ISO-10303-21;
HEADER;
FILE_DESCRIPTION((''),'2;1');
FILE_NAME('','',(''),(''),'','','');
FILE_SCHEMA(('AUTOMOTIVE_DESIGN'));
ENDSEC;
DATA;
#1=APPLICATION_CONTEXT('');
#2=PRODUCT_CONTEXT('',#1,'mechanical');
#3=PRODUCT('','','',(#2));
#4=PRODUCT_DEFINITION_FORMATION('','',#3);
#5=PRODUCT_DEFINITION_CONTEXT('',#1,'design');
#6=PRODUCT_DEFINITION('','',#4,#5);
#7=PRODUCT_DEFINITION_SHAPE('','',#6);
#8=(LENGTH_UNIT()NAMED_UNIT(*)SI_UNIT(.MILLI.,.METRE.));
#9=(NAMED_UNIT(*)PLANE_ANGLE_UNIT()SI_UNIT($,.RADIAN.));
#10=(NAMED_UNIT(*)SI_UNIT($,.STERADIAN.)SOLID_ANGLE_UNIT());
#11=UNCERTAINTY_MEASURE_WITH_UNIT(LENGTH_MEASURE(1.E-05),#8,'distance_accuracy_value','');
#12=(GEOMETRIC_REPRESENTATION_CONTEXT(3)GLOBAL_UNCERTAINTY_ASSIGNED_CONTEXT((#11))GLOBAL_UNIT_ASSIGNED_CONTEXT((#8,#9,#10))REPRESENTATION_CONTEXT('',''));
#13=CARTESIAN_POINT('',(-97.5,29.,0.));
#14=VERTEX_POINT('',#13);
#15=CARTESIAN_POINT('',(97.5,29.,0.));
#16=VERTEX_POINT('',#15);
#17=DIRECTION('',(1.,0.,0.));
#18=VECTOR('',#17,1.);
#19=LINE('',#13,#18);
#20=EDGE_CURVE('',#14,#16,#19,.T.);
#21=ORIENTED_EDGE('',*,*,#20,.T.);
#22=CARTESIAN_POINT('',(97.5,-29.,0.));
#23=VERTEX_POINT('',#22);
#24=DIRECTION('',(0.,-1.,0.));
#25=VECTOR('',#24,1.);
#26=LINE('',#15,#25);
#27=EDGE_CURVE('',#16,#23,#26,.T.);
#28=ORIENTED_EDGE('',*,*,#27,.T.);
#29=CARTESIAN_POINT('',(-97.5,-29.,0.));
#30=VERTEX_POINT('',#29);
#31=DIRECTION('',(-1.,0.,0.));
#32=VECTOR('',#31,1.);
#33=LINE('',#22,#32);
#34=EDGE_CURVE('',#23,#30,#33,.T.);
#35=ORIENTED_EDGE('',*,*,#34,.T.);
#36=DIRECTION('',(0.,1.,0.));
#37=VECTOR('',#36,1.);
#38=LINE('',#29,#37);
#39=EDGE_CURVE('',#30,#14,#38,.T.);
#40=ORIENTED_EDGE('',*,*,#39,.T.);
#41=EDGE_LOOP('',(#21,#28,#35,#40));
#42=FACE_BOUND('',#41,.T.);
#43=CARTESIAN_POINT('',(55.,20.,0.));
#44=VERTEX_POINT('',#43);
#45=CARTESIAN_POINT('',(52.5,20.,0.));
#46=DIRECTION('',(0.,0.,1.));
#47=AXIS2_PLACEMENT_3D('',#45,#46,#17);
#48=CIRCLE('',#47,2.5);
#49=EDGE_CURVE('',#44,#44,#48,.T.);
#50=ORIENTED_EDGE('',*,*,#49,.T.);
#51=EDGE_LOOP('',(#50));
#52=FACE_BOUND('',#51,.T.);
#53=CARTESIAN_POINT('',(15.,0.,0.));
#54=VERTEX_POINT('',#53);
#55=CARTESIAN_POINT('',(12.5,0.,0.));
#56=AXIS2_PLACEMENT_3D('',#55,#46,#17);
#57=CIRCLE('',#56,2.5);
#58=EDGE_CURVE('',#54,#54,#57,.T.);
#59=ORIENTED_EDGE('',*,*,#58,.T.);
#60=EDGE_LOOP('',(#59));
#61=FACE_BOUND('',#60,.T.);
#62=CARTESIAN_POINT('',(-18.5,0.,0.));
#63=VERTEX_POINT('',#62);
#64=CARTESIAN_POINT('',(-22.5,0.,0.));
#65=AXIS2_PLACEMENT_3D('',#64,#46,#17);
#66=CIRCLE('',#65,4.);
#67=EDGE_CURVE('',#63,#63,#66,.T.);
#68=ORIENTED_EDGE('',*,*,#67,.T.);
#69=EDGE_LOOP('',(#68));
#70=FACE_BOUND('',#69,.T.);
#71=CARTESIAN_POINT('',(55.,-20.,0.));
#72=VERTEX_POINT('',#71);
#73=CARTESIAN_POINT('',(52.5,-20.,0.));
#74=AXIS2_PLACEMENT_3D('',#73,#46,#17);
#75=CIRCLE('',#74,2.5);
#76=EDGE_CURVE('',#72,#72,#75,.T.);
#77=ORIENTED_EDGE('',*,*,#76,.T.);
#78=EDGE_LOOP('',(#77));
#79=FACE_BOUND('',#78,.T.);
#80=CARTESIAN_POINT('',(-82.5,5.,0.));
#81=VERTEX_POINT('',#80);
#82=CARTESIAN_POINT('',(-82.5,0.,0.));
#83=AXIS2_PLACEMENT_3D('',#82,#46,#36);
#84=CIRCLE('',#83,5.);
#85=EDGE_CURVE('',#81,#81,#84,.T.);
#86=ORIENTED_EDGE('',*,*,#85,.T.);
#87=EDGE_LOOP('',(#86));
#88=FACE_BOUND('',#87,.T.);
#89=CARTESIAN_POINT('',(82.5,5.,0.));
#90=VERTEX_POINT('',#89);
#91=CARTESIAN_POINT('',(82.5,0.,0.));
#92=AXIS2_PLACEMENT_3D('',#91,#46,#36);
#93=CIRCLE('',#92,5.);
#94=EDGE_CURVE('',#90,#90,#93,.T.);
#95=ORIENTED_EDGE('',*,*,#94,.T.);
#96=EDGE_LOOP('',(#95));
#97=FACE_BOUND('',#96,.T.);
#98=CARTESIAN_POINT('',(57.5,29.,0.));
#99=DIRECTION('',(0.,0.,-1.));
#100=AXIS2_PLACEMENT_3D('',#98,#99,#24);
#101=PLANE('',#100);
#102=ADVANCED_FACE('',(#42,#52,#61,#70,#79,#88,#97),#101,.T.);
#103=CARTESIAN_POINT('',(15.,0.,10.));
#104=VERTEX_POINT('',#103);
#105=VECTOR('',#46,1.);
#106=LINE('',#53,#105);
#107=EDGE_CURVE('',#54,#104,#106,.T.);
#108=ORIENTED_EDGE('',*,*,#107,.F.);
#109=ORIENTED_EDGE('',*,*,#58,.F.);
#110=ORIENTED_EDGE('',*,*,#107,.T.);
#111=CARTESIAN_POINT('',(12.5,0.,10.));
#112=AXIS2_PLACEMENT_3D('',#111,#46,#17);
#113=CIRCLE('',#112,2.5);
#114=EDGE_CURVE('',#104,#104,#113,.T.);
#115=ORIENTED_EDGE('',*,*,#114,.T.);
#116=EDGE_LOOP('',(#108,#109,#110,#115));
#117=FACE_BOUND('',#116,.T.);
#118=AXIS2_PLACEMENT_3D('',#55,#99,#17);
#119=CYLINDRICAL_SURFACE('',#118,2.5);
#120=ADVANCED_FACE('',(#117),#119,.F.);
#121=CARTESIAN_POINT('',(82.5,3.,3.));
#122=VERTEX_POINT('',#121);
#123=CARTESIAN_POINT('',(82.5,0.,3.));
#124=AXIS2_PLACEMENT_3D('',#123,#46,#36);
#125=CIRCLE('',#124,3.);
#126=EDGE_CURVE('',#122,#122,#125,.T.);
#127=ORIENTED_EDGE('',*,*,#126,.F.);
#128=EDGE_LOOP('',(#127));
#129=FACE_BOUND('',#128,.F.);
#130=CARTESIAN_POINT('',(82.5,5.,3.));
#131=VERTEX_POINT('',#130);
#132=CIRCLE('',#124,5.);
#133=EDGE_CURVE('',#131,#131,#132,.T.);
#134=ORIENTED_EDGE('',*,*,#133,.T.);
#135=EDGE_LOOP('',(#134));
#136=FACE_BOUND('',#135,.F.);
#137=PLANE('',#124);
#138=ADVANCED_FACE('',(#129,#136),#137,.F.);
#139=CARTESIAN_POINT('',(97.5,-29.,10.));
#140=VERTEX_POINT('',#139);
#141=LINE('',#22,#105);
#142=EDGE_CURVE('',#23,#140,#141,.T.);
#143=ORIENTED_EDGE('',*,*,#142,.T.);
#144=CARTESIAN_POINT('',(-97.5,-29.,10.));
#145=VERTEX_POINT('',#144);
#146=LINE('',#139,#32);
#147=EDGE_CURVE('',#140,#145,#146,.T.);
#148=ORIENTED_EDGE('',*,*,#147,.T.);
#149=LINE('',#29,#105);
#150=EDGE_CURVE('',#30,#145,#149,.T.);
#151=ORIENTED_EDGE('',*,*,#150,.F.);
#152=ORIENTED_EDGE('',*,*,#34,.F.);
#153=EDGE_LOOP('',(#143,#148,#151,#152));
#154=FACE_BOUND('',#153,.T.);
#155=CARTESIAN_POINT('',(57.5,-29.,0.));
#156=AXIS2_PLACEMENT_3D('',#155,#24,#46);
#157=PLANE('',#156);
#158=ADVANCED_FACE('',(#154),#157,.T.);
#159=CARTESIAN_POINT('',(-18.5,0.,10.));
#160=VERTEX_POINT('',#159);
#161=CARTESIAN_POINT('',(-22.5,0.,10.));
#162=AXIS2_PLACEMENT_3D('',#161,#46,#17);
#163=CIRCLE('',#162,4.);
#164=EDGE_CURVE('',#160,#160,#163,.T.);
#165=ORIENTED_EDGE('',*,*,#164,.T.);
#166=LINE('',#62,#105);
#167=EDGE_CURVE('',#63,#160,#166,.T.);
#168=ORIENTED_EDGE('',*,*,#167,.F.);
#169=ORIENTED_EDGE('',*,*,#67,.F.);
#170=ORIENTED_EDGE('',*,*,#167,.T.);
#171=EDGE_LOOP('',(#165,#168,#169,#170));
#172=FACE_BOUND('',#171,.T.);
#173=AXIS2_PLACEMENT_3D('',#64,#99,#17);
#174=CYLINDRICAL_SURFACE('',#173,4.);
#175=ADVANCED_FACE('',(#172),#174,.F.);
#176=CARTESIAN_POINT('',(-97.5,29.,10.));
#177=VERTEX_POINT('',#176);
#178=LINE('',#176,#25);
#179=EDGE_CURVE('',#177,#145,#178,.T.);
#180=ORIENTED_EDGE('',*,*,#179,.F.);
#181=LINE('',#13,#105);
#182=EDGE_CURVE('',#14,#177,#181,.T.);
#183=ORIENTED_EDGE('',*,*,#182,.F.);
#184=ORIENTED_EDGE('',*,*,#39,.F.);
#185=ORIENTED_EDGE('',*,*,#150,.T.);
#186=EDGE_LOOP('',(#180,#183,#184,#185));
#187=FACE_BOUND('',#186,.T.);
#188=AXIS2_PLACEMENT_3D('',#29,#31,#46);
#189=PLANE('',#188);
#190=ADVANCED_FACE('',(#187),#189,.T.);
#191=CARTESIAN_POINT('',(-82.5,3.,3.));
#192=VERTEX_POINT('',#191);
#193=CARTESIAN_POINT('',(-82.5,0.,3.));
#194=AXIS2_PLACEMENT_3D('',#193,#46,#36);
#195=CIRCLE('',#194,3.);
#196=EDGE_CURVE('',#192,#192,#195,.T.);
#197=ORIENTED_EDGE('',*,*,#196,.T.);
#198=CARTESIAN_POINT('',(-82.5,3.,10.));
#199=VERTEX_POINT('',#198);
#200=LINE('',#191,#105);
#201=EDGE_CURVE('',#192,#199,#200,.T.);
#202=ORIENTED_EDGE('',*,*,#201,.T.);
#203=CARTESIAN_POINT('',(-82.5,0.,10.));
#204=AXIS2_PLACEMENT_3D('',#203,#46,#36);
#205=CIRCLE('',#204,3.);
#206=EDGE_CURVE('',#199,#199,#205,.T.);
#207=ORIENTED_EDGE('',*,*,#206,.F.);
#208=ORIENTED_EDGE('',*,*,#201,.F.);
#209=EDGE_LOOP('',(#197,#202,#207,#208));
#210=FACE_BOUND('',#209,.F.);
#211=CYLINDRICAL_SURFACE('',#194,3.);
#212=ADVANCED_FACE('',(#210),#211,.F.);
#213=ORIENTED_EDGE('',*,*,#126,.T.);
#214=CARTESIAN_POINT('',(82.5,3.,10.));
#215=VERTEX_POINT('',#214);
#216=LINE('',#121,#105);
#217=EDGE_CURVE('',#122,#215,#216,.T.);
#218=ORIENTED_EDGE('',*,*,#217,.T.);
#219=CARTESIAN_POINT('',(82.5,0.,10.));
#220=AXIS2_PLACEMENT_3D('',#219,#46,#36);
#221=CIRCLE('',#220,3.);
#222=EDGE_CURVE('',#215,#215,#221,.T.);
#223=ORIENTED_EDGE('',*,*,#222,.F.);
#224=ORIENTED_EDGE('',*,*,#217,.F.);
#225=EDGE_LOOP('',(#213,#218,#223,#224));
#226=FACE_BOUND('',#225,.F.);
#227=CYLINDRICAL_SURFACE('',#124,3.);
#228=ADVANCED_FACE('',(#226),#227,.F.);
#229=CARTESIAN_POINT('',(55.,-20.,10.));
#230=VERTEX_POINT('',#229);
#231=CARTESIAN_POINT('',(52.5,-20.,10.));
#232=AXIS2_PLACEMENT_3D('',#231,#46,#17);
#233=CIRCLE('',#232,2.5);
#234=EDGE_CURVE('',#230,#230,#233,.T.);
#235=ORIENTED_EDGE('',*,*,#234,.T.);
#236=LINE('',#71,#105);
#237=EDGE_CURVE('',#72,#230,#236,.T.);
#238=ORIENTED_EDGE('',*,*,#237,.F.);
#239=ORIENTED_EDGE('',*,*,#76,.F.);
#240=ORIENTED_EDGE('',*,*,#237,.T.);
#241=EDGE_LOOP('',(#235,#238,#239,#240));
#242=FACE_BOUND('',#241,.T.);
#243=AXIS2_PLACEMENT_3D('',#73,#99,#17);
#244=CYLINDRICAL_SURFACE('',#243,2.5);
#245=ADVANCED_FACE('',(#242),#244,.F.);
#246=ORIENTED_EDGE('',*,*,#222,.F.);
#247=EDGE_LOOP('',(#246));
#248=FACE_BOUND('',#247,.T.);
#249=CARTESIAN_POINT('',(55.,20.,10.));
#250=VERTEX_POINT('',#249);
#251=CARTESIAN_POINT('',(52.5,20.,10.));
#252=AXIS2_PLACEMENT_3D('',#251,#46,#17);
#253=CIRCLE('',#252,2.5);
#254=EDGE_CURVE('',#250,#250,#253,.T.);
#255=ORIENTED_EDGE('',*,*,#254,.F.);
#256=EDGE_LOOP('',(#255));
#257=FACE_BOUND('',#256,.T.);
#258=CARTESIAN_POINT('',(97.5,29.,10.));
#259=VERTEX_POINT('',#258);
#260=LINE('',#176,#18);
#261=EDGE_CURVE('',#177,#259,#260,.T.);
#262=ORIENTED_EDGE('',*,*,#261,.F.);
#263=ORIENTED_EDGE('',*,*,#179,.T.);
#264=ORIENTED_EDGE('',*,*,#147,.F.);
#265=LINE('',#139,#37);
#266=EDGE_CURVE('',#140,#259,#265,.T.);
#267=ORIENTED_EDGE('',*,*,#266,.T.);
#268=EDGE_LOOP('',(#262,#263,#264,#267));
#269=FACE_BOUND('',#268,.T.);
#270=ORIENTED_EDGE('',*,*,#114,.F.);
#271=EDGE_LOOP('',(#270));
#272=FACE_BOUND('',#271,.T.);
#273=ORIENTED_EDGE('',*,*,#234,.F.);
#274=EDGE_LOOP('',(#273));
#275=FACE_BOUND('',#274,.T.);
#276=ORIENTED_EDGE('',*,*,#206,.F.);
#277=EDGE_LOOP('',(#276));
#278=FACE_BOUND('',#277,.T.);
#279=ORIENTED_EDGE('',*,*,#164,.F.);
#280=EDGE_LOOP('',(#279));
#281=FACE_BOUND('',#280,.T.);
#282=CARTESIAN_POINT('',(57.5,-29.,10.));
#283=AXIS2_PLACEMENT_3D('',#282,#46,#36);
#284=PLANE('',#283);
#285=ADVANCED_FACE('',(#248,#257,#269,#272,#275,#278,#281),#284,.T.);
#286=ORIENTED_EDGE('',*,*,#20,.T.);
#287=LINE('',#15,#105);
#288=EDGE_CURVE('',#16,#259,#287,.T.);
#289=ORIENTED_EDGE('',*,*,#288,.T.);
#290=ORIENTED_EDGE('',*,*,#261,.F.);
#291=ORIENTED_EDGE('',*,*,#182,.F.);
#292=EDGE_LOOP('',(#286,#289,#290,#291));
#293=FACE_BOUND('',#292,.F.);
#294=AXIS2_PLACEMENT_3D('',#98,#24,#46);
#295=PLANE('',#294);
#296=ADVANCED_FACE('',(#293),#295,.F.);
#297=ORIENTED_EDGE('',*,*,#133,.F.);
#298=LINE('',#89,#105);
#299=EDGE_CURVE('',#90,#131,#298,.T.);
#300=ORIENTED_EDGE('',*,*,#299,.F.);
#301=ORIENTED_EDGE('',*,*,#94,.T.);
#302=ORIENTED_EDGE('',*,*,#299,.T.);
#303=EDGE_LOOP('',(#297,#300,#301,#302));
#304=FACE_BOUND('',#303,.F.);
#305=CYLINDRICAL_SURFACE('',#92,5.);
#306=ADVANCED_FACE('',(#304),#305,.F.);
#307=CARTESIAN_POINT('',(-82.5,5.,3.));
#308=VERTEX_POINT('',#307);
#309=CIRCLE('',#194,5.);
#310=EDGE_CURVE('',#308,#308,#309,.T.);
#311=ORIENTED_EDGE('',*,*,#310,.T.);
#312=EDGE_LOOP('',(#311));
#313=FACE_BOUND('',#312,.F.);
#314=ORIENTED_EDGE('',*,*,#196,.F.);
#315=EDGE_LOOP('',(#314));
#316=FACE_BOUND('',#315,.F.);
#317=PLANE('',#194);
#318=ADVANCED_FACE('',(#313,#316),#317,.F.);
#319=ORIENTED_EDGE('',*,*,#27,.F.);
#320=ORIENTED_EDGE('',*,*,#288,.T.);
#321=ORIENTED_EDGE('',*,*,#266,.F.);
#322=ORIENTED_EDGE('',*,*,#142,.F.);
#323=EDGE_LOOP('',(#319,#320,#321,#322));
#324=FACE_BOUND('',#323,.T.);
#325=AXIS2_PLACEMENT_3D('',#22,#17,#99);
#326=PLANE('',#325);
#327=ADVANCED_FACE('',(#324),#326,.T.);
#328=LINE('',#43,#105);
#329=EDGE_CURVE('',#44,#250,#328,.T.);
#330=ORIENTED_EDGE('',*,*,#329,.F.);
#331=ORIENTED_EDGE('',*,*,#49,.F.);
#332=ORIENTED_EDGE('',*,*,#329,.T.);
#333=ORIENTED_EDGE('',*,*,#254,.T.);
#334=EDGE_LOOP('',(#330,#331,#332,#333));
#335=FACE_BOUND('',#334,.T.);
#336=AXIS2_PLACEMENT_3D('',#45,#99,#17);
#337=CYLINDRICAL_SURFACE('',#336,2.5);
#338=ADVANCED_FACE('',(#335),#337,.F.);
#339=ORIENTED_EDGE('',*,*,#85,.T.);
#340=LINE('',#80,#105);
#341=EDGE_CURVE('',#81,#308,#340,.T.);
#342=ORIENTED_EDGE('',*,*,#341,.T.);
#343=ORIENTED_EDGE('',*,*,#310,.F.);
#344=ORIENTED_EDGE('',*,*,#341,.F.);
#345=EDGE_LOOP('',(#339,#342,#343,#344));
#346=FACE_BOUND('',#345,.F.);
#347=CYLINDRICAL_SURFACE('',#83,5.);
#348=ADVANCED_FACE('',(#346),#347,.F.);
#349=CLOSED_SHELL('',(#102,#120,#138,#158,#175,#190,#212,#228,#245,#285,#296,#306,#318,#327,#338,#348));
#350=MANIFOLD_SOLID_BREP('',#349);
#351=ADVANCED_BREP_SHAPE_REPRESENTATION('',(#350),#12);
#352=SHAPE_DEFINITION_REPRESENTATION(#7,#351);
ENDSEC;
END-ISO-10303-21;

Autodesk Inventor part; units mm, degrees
ref_plane "YZ Plane" through (0, 0, 0) normal (1, 0, 0) x (0, 1, 0)
ref_plane "XZ Plane" through (0, 0, 0) normal (0, 1, 0) x (-1, 0, 0)
ref_plane "XY Plane" through (0, 0, 0) normal (0, 0, 1) x (1, 0, 0)
sketch "Sketch1" plane through (0, 0, 0) normal (0, 0, 1) x (1, 0, 0)
  line L0 (-57.5, 29) -> (57.5, 29)
  line L1 (57.5, 29) -> (57.5, -29)
  line L2 (57.5, -29) -> (-57.5, -29)
  line L3 (-57.5, -29) -> (-57.5, 29)
  circle A0 centre (12.5, 0) radius 2.5
  circle A1 centre (52.5, 20) radius 2.5
  circle A2 centre (52.5, -20) radius 2.5
  circle A3 centre (-22.5, 0) radius 4
  point P0 (0, 0)
  dimension "d0" = 115
  dimension "d1" = 58
  dimension "d2" = 29
  dimension "d3" = 57.5
  dimension "d4" = 5
  dimension "d5" = 45
  dimension "d6" = 29
  dimension "d7" = 5
  dimension "d8" = 5
  dimension "d9" = 5
  dimension "d11" = 5
  dimension "d13" = 8
  dimension "d14" = 80
  dimension "d15" = 29
  dimension "d18" = 40
  dimension "d19" = 20
  dimension "d20" = 20
extrude "Extrusion1" add sketch "Sketch1" along normal blind 10
sketch "Sketch3" plane through (-57.5, -29, 0) normal (-1, 0, 0) x (0, 0, 1)
  line L0 (0, 0) -> (0, 58) projected
  line L1 (0, 0) -> (10, 0) projected
  line L2 (10, 58) -> (10, 0) projected
  line L3 (0, 58) -> (10, 58) projected
  point P0 (0, 29)
extrude "Extrusion2" add sketch "Sketch3" along normal blind 40
sketch "Sketch4" plane through (57.5, -29, 0) normal (1, 0, 0) x (0, 0, -1)
  line L0 (0, 58) -> (0, 0) projected
  line L1 (0, 58) -> (-10, 58) projected
  line L2 (-10, 0) -> (-10, 58) projected
  line L3 (0, 0) -> (-10, 0) projected
  point P0 (0, 29)
extrude "Extrusion3" add sketch "Sketch4" along normal blind 40
hole "Hole1" at (82.5, 0, 0) direction (0, 0, 1) diameter 6 end through all counterbore diameter 10 counterbore depth 3
hole "Hole2" at (-82.5, 0, 0) direction (0, 0, 1) diameter 6 end through all counterbore diameter 10 counterbore depth 3
equation "\"d2\" = 0.5 * d1"
equation "\"d3\" = 0.5 * d0"
equation "\"d6\" = 0.5 * d1"
equation "\"d11\" = d9"
equation "\"d15\" = 0.5 * d1"
properties part number "suport maneta vid"
